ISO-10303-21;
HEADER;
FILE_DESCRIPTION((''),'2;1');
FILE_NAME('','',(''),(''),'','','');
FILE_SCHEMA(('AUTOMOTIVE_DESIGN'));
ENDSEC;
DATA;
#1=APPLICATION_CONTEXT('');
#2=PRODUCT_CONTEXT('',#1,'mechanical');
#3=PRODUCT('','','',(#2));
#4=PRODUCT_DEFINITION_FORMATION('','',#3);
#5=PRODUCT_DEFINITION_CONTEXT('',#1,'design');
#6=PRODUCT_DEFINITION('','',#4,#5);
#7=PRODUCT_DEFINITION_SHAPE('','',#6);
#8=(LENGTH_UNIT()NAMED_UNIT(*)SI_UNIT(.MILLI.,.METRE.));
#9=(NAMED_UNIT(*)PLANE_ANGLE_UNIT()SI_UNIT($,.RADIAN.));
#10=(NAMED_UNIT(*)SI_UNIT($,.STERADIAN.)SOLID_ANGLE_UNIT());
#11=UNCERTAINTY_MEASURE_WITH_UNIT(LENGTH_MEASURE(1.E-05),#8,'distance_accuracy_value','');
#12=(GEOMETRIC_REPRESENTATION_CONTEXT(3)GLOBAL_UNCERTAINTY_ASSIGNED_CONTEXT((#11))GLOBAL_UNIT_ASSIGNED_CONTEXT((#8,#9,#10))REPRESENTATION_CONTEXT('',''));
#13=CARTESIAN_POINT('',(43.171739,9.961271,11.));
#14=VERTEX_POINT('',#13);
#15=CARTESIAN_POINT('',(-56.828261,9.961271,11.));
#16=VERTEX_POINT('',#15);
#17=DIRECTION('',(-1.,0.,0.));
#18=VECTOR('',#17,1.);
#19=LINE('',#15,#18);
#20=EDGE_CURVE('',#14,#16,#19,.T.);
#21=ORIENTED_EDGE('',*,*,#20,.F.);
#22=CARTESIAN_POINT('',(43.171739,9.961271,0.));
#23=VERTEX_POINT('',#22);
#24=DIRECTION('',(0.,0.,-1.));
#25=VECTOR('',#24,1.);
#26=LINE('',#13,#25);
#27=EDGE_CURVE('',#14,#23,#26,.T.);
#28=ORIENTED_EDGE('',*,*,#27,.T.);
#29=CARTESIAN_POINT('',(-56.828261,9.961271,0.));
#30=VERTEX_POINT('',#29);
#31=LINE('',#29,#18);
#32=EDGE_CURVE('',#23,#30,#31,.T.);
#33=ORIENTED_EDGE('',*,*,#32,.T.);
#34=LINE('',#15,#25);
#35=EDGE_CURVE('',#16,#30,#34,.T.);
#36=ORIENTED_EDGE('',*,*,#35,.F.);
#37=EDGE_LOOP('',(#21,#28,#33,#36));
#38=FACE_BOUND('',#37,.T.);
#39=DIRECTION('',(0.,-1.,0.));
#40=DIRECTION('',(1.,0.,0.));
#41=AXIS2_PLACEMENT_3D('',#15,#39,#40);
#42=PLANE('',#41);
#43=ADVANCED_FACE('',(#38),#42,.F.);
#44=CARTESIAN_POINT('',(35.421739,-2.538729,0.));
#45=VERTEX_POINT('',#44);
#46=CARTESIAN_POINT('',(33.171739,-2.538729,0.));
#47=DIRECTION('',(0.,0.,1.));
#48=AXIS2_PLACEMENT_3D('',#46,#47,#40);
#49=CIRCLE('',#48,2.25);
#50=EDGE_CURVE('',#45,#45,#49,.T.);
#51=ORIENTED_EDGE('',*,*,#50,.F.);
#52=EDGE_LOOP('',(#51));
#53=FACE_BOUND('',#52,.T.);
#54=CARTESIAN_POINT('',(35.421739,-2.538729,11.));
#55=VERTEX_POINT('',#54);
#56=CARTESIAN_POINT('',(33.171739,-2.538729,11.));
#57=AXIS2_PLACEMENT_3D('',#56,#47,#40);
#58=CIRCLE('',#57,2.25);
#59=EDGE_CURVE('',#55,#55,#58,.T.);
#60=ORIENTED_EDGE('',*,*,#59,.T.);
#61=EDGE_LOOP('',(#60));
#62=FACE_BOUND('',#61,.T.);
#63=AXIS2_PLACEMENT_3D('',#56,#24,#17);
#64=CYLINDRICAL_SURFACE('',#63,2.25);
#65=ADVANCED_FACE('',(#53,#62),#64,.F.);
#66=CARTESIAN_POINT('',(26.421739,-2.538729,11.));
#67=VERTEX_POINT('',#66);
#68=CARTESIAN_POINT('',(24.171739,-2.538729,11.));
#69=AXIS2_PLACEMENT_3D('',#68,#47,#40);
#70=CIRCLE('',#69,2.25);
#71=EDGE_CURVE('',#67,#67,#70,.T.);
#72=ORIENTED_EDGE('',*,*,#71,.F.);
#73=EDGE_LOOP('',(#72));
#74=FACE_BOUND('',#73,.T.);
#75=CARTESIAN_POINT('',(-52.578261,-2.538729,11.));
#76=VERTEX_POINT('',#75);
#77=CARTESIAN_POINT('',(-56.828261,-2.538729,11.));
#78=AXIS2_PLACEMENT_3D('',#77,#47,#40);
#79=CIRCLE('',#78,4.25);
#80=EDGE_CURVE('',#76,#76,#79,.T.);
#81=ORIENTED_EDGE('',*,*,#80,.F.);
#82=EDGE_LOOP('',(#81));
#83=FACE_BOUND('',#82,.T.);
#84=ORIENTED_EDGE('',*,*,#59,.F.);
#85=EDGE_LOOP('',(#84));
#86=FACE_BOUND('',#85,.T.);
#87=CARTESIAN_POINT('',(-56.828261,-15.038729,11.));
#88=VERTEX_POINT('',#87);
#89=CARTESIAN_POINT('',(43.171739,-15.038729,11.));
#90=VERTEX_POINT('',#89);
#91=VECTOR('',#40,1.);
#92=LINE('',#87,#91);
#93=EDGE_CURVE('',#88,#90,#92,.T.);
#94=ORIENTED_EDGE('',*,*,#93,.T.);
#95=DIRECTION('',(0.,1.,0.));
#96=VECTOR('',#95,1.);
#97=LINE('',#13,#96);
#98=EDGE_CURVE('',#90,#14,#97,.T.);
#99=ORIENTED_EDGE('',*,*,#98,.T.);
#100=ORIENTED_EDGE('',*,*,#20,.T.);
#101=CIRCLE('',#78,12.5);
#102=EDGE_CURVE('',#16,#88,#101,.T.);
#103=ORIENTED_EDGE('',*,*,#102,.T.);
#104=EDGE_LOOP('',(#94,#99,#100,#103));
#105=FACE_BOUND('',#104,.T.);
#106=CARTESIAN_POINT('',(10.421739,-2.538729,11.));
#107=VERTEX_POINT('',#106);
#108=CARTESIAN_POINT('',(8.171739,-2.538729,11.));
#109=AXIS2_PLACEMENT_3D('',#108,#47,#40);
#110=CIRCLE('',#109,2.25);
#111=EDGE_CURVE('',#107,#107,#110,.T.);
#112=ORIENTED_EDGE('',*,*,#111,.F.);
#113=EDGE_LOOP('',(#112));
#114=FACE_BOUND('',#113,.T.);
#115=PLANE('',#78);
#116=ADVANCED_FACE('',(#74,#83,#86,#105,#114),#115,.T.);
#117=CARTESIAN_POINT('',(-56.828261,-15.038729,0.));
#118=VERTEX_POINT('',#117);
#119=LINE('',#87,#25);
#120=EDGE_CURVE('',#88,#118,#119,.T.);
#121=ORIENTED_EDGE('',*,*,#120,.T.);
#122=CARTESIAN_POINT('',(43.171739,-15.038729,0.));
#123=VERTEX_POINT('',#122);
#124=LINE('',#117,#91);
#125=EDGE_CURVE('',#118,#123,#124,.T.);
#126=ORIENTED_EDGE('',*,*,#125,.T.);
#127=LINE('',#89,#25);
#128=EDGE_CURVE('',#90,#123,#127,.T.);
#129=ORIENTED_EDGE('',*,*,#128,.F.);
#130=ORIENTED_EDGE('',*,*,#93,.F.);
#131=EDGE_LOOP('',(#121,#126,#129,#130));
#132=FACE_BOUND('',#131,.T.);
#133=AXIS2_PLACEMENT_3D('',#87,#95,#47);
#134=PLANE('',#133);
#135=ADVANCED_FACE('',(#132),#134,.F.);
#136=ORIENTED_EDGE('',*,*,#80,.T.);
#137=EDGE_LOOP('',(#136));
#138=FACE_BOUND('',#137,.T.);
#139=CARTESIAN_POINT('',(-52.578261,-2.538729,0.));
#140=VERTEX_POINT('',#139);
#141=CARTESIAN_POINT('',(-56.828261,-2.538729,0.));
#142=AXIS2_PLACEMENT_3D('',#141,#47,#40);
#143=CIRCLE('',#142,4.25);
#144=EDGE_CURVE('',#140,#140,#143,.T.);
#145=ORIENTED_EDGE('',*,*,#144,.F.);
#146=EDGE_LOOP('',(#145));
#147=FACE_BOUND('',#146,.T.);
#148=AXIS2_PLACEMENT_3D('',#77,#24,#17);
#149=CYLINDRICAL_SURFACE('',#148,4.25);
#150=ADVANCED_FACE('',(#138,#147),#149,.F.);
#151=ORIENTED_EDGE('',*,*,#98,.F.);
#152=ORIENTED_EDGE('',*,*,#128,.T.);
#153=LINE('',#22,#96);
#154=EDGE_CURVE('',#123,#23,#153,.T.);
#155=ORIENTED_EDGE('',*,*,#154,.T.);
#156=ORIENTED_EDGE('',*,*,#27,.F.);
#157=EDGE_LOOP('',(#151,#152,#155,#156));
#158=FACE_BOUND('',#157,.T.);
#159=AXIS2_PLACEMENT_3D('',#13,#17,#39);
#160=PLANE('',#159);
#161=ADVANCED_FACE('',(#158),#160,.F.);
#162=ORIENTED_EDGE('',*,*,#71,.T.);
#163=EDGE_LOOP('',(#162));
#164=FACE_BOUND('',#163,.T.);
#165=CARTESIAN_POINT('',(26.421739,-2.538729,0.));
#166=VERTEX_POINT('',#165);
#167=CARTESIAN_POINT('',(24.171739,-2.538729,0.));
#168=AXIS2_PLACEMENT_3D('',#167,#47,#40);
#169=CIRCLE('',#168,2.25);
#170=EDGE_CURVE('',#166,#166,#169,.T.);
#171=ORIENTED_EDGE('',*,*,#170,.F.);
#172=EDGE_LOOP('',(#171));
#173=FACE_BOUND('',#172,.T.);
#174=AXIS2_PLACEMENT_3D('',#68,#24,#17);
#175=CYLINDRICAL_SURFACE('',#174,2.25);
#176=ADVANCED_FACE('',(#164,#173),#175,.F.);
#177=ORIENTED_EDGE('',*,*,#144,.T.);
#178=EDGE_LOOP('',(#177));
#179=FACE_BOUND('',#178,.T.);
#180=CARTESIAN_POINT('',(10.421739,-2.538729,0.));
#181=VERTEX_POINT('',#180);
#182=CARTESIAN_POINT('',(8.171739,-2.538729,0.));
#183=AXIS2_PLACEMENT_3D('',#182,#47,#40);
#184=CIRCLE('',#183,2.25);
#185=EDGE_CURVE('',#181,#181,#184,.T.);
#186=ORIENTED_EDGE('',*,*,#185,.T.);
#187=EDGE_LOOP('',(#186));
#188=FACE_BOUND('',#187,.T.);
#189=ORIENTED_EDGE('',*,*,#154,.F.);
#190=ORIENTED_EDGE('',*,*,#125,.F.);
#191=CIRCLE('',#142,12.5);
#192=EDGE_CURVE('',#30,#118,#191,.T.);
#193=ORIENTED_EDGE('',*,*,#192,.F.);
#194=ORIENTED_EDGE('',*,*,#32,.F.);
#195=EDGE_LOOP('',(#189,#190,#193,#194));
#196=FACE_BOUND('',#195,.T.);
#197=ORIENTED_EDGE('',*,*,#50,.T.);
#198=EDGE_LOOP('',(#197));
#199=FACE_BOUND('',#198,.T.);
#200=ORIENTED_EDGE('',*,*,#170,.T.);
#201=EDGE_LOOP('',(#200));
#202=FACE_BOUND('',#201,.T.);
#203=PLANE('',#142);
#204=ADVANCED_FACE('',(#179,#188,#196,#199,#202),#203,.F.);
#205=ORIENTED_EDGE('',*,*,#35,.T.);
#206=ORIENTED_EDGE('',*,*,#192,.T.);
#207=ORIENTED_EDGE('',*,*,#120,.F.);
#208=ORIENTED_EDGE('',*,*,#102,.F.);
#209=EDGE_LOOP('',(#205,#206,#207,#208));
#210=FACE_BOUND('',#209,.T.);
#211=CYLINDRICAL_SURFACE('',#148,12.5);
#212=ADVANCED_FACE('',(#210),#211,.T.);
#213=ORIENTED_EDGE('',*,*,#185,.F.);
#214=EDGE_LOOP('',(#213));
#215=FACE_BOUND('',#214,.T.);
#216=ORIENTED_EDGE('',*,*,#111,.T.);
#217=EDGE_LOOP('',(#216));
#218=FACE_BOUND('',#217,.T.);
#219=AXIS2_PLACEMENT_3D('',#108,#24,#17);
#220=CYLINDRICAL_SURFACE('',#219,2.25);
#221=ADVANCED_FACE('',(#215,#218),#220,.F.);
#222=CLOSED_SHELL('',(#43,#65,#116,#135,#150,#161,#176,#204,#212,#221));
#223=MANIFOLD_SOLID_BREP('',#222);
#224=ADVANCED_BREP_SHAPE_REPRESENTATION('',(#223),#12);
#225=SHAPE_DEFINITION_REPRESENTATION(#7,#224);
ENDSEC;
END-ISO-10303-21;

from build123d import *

# Parameters (mm, degrees)
SKETCH_1_R      = 2.25
SKETCH_1_R_2    = 4.25
EXTRUDE_1_DEPTH = 11


with BuildPart() as part:
    # 草图1 → 凸台-拉伸1 (new body)
    with BuildSketch(Plane.XY):
        with BuildLine():
            Line((-56.82826087, 9.961271461), (43.17173913, 9.961271461))
            Line((43.17173913, 9.961271461), (43.17173913, -15.038728539))
            Line((43.17173913, -15.038728539), (-56.82826087, -15.038728539))
            ThreePointArc((-56.82826087, -15.038728539), (-69.32826087, -2.538728539), (-56.82826087, 9.961271461))
        make_face()
        with Locations((33.17173913, -2.538728539)):
            Circle(SKETCH_1_R, mode=Mode.SUBTRACT)
        with Locations((24.17173913, -2.538728539)):
            Circle(SKETCH_1_R, mode=Mode.SUBTRACT)
        with Locations((8.17173913, -2.538728539)):
            Circle(SKETCH_1_R, mode=Mode.SUBTRACT)
        with Locations((-56.82826087, -2.538728539)):
            Circle(SKETCH_1_R_2, mode=Mode.SUBTRACT)
    extrude(amount=EXTRUDE_1_DEPTH)


solid = part.part
